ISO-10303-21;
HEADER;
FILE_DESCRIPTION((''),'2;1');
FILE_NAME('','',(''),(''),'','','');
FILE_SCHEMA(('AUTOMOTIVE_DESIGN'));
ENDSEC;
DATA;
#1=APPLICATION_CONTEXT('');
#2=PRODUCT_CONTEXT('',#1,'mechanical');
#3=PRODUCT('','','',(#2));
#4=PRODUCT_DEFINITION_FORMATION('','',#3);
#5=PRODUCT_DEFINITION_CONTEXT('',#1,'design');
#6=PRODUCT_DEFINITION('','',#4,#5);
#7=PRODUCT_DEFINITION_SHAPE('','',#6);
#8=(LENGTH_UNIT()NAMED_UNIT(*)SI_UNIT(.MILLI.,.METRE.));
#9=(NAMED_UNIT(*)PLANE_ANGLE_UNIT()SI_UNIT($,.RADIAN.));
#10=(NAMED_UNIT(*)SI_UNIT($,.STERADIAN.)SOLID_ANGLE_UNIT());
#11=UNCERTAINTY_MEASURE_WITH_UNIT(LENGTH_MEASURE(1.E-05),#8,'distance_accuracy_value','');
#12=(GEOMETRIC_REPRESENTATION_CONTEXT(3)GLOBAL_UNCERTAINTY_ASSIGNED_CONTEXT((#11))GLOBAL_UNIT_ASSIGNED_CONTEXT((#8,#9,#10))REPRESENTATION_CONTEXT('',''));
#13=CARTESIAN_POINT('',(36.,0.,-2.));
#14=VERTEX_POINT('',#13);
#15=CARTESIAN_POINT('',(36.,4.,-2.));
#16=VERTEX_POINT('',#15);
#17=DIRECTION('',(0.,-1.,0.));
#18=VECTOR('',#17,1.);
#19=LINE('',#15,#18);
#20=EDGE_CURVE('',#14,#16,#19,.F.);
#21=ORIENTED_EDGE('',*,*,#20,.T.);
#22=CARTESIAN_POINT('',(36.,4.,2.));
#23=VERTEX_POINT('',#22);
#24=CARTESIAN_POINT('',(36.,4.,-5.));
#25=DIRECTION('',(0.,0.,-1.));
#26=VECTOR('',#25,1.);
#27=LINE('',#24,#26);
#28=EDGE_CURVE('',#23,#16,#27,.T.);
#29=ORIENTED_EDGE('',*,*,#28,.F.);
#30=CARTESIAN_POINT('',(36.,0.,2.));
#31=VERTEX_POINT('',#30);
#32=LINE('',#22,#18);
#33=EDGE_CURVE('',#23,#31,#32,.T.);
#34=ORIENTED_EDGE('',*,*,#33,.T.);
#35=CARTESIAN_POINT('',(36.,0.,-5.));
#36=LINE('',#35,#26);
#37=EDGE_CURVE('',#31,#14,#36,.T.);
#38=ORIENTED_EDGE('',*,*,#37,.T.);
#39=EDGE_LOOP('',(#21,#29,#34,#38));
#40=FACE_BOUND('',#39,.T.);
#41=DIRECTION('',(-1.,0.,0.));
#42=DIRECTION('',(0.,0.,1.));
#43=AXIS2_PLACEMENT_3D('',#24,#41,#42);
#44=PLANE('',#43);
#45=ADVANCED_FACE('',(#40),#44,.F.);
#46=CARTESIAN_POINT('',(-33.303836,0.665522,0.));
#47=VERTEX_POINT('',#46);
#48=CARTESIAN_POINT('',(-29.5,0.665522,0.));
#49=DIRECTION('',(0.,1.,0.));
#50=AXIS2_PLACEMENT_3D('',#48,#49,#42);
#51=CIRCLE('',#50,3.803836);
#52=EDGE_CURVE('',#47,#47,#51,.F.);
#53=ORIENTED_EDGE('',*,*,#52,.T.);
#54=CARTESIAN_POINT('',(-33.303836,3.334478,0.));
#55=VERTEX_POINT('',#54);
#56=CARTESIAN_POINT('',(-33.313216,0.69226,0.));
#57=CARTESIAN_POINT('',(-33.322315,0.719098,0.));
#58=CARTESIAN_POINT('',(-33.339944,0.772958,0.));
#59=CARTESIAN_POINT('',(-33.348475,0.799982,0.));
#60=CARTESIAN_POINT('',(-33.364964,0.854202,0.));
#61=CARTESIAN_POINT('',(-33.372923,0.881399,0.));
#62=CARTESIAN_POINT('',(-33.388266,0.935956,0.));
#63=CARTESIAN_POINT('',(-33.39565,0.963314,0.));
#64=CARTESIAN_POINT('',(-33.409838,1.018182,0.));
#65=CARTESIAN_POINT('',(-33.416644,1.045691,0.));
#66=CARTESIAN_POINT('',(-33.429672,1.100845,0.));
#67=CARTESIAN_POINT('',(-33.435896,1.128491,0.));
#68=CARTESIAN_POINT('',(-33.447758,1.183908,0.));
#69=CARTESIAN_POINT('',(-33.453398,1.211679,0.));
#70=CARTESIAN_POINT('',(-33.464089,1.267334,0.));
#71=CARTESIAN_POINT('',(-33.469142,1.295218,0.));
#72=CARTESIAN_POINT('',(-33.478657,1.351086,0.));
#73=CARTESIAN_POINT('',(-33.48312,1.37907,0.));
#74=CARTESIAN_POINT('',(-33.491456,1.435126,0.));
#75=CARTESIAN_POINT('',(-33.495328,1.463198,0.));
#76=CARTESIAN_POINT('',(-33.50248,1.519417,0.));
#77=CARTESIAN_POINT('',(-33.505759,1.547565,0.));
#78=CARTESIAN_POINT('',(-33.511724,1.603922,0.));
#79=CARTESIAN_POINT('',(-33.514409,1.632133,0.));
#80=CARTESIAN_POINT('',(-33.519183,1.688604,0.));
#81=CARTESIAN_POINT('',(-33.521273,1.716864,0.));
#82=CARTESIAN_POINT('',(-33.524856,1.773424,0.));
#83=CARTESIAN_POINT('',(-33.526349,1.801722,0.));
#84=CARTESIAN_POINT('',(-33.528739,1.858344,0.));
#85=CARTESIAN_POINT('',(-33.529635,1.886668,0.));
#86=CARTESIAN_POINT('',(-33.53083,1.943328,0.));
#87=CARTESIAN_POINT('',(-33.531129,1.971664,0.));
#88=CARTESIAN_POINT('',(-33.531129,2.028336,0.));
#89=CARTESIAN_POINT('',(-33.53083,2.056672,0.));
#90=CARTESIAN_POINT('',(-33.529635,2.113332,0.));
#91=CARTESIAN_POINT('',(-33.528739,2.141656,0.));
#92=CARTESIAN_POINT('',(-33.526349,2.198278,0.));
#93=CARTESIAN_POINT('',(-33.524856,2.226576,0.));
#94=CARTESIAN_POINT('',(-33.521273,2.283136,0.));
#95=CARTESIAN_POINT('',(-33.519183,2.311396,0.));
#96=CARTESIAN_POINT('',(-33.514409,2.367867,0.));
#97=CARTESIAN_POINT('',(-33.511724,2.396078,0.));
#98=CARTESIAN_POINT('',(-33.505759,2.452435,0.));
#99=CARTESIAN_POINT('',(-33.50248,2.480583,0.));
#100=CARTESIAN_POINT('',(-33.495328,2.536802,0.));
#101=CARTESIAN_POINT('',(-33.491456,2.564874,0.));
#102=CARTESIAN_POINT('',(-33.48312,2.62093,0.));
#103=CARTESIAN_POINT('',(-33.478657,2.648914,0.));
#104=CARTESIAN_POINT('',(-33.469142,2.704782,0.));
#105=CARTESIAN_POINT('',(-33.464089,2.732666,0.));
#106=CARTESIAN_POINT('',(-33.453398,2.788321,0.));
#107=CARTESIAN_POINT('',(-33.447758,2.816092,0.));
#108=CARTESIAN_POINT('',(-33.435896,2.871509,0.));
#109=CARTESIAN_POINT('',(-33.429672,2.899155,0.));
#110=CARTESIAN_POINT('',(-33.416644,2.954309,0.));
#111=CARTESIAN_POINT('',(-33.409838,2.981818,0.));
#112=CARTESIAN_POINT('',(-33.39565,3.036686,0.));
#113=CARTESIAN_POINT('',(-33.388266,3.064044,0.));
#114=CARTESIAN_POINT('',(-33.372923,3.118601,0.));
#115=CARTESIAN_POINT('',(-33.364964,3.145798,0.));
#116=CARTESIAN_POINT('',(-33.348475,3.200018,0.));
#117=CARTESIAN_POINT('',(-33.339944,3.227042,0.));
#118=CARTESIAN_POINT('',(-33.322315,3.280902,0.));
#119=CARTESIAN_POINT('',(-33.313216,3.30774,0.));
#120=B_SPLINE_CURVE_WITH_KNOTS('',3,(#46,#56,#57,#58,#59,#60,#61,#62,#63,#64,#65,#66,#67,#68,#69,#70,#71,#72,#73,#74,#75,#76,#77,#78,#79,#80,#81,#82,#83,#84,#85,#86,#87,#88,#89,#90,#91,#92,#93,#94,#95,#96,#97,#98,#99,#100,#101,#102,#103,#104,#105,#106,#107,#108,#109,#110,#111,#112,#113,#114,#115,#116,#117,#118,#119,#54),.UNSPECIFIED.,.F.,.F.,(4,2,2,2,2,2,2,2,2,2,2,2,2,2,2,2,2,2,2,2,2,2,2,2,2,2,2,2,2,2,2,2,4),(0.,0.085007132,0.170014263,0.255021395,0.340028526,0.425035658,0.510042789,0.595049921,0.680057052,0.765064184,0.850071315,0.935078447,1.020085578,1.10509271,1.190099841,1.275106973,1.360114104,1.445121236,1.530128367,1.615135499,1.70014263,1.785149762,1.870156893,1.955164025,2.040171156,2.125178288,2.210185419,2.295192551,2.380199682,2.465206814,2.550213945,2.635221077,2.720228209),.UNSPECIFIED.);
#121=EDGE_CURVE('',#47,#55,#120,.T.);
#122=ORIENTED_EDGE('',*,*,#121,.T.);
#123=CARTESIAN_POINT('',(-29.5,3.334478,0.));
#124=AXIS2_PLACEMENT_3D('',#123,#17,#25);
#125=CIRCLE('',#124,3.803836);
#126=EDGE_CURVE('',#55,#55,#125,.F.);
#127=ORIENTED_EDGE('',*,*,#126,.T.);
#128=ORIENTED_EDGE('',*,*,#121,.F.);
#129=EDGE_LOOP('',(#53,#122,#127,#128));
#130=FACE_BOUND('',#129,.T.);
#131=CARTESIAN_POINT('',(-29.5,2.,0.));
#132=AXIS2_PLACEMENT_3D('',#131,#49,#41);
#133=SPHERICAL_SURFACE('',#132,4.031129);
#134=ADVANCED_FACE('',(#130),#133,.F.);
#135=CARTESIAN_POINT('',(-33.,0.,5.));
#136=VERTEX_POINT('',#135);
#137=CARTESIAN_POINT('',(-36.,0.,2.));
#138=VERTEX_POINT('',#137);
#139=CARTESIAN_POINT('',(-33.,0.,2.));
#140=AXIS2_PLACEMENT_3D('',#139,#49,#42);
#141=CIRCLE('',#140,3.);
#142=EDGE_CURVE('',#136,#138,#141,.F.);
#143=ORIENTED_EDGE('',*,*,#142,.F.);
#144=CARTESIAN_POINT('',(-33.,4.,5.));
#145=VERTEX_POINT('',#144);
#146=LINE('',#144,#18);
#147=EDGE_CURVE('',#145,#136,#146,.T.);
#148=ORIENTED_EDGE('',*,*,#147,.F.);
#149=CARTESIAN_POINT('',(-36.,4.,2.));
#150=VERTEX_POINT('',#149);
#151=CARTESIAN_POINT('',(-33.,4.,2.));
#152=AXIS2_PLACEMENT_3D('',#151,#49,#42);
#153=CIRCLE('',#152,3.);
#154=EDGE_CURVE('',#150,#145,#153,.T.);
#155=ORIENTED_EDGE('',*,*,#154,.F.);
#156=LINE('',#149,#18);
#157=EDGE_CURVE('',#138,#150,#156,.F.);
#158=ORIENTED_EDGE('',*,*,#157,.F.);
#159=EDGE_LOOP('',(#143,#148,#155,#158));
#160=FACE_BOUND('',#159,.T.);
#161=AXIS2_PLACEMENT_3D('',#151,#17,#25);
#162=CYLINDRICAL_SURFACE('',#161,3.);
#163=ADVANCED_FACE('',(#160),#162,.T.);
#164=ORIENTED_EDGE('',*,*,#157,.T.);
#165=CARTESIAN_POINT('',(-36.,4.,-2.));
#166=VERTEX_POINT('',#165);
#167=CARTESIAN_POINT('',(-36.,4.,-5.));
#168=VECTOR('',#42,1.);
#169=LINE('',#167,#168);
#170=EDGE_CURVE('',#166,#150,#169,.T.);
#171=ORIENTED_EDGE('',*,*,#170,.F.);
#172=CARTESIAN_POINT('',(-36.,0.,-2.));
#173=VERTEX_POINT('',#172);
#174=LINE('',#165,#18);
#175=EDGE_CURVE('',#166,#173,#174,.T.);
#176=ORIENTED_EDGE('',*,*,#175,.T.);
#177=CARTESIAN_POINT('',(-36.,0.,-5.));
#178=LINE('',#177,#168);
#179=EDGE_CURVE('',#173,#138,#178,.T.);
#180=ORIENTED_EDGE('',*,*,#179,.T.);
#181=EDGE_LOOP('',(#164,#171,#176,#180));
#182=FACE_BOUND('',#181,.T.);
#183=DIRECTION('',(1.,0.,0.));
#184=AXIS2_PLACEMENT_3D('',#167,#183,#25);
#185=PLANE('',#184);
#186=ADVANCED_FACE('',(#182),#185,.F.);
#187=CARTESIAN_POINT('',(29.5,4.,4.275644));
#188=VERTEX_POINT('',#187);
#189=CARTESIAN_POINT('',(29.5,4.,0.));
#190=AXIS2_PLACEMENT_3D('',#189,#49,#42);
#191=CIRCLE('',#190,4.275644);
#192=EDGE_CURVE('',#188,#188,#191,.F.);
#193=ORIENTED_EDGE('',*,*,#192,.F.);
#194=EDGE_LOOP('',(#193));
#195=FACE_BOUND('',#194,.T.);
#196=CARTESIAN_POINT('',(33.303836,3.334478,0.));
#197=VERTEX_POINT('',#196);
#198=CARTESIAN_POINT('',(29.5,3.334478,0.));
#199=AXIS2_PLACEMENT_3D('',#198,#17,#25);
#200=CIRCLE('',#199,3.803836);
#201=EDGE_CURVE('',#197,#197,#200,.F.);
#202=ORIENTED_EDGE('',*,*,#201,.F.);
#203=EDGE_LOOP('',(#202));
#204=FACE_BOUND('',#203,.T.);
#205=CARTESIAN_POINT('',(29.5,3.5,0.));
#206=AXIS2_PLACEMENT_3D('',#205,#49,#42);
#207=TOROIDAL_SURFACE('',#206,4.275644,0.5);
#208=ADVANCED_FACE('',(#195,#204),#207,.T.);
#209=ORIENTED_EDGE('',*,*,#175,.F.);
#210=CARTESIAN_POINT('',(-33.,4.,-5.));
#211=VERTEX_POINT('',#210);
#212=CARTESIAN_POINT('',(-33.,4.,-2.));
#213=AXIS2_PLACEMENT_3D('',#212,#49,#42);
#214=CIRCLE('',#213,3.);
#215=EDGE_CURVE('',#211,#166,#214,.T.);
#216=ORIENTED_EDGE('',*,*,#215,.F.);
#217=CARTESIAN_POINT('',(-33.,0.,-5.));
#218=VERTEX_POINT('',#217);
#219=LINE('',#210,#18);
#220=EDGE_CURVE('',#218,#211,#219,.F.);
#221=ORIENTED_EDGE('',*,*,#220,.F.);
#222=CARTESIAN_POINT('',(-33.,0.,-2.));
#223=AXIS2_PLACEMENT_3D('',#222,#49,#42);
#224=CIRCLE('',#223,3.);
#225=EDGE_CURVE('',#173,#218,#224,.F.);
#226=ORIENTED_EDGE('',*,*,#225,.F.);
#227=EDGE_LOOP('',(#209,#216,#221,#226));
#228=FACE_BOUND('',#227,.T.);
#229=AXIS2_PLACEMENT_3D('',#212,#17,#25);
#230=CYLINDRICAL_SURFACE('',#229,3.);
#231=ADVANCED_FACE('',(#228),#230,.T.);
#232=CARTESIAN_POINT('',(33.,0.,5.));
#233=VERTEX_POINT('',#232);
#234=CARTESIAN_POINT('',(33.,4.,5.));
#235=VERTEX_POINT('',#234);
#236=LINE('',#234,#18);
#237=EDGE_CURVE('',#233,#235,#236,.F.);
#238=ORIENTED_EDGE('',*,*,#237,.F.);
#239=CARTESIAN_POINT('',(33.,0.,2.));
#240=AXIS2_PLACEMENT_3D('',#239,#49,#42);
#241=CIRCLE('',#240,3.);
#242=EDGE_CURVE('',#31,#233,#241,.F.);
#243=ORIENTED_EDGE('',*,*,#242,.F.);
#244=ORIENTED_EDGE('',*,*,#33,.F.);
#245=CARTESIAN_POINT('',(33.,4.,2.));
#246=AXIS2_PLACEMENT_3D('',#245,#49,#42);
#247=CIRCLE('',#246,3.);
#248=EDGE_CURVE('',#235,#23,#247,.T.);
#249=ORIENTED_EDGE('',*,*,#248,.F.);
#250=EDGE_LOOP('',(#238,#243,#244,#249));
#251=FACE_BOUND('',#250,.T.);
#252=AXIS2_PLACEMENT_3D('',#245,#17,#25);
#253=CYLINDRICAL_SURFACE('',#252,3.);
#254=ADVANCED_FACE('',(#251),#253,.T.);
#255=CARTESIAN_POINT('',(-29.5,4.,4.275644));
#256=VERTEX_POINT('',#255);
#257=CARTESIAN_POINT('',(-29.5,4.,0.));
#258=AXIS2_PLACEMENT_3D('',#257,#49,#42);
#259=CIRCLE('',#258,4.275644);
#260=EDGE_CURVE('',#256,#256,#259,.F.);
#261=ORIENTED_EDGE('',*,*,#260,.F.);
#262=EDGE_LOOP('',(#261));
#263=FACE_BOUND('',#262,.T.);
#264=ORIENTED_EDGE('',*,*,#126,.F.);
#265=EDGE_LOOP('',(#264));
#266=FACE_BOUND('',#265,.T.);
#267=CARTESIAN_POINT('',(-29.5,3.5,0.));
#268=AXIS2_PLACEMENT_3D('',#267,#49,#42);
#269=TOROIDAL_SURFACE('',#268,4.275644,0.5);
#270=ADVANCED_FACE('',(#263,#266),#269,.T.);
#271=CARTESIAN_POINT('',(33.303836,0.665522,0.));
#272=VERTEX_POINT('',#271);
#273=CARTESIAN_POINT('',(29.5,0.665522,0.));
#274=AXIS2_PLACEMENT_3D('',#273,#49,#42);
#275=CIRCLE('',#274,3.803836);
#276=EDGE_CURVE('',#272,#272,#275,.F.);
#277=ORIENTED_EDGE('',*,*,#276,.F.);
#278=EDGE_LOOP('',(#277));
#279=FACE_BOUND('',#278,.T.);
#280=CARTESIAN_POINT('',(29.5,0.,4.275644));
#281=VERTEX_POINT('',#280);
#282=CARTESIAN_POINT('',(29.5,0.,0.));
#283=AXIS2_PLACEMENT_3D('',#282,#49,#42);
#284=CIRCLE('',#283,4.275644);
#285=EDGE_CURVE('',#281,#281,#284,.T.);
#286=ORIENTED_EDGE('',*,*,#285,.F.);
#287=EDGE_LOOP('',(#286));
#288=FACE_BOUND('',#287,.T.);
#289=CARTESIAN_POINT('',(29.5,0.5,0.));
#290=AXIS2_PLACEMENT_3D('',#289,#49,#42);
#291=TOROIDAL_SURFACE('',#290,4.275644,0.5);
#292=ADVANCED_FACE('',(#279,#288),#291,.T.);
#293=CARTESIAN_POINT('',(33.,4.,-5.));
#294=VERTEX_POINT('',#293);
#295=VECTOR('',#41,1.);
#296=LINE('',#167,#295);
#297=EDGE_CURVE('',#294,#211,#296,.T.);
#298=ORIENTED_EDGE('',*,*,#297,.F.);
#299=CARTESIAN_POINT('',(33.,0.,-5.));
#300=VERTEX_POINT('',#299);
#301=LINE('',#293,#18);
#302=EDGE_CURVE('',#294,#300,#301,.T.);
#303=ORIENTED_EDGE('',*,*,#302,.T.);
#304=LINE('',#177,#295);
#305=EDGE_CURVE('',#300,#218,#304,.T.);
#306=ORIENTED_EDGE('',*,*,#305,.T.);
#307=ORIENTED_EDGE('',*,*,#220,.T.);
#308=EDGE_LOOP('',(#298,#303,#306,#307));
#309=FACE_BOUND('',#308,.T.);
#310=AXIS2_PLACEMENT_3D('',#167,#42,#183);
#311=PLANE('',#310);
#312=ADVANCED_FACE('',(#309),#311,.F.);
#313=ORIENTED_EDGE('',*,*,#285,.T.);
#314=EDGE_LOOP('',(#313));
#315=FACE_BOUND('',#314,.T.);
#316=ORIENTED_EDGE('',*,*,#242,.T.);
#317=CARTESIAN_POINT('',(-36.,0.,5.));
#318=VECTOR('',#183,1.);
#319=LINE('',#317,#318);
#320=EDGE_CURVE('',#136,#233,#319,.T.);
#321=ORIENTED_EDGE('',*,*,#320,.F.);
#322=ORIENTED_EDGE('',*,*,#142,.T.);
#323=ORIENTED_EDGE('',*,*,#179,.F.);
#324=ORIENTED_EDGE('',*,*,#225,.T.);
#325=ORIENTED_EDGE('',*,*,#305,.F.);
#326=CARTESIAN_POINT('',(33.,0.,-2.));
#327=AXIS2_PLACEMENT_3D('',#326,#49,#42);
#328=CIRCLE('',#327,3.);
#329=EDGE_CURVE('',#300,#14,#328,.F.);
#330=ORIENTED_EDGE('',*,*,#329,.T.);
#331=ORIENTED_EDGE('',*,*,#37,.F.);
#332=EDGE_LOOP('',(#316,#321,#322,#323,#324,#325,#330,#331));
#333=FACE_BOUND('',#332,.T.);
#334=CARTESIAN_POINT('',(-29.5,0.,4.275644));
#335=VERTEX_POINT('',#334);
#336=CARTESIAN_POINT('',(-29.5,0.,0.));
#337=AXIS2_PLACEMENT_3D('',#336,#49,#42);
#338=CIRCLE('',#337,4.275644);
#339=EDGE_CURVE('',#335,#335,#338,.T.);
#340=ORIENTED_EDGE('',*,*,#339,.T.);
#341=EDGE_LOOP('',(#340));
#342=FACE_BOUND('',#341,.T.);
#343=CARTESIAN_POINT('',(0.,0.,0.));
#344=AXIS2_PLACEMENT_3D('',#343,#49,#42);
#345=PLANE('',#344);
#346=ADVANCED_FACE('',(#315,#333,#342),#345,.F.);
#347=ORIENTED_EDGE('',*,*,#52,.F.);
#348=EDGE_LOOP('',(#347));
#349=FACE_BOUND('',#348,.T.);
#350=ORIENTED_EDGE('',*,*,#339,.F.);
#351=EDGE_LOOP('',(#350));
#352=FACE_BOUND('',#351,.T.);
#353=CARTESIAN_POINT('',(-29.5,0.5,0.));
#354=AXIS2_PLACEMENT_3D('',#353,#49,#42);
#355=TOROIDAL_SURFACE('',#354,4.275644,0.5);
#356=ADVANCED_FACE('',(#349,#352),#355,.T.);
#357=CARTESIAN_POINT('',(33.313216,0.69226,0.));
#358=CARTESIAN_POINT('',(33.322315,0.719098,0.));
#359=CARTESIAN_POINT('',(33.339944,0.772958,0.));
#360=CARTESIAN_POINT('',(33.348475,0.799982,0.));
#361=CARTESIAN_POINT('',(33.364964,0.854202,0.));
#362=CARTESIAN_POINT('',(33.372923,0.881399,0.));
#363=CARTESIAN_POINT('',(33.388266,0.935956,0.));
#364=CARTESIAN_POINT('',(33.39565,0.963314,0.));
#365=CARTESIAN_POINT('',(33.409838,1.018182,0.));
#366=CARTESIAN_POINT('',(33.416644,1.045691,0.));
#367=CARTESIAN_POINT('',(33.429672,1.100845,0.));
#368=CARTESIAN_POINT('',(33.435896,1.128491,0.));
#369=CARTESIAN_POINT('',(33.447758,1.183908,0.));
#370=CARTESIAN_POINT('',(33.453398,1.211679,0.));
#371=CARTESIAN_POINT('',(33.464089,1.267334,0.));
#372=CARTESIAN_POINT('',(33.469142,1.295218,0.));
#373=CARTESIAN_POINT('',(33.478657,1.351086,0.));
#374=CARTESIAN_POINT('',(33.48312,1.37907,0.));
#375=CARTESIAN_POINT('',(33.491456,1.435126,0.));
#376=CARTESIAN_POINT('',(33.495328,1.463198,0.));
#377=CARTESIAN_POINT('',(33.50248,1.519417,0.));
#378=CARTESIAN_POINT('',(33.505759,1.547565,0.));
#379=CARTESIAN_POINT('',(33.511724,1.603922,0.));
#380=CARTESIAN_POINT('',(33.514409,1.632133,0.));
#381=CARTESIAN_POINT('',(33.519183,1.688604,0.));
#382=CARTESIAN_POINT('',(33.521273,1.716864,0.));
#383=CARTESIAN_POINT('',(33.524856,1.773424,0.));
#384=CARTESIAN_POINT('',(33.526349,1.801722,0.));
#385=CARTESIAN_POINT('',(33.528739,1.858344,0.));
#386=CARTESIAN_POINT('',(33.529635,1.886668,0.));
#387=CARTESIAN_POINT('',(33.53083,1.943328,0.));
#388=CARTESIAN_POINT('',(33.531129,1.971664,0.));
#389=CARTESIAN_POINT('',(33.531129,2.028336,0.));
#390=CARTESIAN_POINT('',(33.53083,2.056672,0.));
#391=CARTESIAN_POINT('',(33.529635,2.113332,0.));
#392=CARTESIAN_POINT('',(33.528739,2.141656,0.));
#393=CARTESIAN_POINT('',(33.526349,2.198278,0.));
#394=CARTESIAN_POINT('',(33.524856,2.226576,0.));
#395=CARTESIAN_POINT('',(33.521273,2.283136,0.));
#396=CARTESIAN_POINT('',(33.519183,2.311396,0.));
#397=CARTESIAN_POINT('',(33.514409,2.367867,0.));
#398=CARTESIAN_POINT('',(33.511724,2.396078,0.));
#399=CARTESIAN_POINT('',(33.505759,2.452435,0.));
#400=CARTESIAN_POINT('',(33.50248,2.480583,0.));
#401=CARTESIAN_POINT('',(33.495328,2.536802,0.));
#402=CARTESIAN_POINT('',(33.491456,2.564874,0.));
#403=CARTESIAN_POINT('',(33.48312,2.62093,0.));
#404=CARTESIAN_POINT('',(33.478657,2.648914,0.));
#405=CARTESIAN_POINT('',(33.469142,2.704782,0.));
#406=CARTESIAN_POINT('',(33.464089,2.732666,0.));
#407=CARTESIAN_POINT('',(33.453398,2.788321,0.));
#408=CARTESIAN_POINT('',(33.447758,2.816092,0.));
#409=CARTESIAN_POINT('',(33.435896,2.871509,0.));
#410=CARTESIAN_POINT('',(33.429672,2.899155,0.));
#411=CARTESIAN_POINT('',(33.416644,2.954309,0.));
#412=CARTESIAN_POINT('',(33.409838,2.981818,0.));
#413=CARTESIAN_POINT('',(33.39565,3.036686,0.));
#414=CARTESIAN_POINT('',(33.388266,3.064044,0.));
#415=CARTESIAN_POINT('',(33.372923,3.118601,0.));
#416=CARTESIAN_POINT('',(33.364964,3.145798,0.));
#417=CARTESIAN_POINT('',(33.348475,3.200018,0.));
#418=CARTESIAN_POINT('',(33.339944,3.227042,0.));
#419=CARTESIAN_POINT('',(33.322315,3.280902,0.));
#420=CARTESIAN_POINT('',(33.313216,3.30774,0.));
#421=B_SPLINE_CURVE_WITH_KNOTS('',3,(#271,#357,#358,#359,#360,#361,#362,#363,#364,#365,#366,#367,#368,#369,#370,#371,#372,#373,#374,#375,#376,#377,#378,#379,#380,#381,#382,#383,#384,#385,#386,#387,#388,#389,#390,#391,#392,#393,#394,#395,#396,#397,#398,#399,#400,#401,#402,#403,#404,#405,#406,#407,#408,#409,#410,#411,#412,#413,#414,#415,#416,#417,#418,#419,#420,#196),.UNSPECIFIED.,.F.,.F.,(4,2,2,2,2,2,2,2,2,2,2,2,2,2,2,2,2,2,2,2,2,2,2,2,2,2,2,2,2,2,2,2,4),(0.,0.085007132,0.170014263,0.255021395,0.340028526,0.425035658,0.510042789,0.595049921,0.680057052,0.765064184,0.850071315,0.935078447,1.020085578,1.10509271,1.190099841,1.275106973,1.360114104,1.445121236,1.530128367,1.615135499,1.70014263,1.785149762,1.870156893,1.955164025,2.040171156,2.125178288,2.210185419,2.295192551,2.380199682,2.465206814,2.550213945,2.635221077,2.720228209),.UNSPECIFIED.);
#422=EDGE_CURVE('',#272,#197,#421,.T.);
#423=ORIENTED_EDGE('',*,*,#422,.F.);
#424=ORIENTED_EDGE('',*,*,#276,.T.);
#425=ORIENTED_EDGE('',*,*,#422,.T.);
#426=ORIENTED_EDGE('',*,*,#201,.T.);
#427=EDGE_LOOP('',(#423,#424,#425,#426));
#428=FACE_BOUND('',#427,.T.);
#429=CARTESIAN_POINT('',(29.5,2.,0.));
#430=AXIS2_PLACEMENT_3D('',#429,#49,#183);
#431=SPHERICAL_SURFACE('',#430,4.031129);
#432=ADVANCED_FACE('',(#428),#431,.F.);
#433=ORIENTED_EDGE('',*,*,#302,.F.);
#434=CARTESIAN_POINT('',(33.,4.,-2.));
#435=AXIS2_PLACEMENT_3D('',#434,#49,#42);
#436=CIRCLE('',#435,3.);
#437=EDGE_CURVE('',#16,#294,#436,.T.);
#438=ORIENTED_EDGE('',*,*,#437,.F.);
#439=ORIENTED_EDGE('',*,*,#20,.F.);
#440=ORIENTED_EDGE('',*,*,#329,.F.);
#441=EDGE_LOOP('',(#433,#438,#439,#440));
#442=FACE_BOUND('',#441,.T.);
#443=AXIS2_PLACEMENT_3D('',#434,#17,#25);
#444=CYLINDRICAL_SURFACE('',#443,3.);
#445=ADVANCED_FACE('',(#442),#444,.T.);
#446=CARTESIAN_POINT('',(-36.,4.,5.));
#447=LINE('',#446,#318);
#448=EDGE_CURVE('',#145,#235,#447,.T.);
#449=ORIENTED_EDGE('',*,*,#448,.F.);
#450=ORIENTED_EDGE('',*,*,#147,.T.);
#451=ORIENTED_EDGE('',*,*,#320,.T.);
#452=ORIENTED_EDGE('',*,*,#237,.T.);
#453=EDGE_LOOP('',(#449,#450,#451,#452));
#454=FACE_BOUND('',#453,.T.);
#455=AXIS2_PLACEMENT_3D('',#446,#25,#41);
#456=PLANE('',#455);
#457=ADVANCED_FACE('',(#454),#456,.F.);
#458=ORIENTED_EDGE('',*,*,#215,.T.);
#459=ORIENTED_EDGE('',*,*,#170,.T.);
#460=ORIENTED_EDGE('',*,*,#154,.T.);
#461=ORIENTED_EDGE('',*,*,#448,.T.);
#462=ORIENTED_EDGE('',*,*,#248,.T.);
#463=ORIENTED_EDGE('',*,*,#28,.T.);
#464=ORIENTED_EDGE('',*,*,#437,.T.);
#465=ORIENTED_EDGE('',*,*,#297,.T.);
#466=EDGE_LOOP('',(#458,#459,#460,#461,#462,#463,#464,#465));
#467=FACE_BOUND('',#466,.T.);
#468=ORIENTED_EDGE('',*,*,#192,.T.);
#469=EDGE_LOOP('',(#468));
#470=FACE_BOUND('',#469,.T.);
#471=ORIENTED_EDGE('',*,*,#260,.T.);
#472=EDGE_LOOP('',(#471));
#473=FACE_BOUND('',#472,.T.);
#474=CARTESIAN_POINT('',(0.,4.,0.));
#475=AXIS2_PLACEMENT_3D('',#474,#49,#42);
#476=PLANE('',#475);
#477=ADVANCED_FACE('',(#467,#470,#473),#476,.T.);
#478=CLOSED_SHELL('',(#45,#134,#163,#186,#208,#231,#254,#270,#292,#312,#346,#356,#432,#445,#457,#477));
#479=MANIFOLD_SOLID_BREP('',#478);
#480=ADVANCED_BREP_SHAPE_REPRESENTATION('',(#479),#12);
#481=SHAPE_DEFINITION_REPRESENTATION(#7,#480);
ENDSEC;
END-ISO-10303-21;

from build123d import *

# Parameters (mm, degrees)
SKETCH1_W           = 72
SKETCH1_H           = 10
BOSS_EXTRUDE1_DEPTH = 4
FILLET1_R           = 3
FILLET2_R           = 0.5


with BuildPart() as part:
    # Sketch1 → Boss-Extrude1 (new body)
    with BuildSketch(Plane(origin=(0, 0, 0), x_dir=(1, 0, 0), z_dir=(0, 1, 0))):
        Rectangle(SKETCH1_W, SKETCH1_H)
    extrude(amount=BOSS_EXTRUDE1_DEPTH)

    # Sketch2 → Cut-Revolve2 (revolve, cut)
    with BuildSketch(Plane.XY):
        with BuildLine():
            Line((-29.5, 4), (-29.5, 0))
            Line((-29.5, 0), (-33, 0))
            ThreePointArc((-33, 0), (-33.531128874, 2), (-33, 4))
            Line((-33, 4), (-29.5, 4))
        make_face()
    cut_revolve2 = revolve(axis=Axis((-29.5, 4, 0), (0, -1, 0)), mode=Mode.SUBTRACT)

    # Fillet1
    fillet1_edges = [part.edges().sort_by_distance(p)[0] for p in [
        (36, 2, 5),
        (-36, 2, 5),
        (-36, 2, -5),
        (36, 2, -5),
    ]]
    fillet(fillet1_edges, radius=FILLET1_R)

    # Mirror1: Cut-Revolve2 across plane
    add(cut_revolve2.mirror(Plane(origin=(0, 0, 0), x_dir=(0, 0, 1), z_dir=(1, 0, 0))), mode=Mode.SUBTRACT)

    # Fillet2
    fillet2_edges = [part.edges().sort_by_distance(p)[0] for p in [
        (-26, 4, 0),
        (-26, 0, 0),
        (26, 4, 0),
        (26, 0, 0),
    ]]
    fillet(fillet2_edges, radius=FILLET2_R)


solid = part.part
